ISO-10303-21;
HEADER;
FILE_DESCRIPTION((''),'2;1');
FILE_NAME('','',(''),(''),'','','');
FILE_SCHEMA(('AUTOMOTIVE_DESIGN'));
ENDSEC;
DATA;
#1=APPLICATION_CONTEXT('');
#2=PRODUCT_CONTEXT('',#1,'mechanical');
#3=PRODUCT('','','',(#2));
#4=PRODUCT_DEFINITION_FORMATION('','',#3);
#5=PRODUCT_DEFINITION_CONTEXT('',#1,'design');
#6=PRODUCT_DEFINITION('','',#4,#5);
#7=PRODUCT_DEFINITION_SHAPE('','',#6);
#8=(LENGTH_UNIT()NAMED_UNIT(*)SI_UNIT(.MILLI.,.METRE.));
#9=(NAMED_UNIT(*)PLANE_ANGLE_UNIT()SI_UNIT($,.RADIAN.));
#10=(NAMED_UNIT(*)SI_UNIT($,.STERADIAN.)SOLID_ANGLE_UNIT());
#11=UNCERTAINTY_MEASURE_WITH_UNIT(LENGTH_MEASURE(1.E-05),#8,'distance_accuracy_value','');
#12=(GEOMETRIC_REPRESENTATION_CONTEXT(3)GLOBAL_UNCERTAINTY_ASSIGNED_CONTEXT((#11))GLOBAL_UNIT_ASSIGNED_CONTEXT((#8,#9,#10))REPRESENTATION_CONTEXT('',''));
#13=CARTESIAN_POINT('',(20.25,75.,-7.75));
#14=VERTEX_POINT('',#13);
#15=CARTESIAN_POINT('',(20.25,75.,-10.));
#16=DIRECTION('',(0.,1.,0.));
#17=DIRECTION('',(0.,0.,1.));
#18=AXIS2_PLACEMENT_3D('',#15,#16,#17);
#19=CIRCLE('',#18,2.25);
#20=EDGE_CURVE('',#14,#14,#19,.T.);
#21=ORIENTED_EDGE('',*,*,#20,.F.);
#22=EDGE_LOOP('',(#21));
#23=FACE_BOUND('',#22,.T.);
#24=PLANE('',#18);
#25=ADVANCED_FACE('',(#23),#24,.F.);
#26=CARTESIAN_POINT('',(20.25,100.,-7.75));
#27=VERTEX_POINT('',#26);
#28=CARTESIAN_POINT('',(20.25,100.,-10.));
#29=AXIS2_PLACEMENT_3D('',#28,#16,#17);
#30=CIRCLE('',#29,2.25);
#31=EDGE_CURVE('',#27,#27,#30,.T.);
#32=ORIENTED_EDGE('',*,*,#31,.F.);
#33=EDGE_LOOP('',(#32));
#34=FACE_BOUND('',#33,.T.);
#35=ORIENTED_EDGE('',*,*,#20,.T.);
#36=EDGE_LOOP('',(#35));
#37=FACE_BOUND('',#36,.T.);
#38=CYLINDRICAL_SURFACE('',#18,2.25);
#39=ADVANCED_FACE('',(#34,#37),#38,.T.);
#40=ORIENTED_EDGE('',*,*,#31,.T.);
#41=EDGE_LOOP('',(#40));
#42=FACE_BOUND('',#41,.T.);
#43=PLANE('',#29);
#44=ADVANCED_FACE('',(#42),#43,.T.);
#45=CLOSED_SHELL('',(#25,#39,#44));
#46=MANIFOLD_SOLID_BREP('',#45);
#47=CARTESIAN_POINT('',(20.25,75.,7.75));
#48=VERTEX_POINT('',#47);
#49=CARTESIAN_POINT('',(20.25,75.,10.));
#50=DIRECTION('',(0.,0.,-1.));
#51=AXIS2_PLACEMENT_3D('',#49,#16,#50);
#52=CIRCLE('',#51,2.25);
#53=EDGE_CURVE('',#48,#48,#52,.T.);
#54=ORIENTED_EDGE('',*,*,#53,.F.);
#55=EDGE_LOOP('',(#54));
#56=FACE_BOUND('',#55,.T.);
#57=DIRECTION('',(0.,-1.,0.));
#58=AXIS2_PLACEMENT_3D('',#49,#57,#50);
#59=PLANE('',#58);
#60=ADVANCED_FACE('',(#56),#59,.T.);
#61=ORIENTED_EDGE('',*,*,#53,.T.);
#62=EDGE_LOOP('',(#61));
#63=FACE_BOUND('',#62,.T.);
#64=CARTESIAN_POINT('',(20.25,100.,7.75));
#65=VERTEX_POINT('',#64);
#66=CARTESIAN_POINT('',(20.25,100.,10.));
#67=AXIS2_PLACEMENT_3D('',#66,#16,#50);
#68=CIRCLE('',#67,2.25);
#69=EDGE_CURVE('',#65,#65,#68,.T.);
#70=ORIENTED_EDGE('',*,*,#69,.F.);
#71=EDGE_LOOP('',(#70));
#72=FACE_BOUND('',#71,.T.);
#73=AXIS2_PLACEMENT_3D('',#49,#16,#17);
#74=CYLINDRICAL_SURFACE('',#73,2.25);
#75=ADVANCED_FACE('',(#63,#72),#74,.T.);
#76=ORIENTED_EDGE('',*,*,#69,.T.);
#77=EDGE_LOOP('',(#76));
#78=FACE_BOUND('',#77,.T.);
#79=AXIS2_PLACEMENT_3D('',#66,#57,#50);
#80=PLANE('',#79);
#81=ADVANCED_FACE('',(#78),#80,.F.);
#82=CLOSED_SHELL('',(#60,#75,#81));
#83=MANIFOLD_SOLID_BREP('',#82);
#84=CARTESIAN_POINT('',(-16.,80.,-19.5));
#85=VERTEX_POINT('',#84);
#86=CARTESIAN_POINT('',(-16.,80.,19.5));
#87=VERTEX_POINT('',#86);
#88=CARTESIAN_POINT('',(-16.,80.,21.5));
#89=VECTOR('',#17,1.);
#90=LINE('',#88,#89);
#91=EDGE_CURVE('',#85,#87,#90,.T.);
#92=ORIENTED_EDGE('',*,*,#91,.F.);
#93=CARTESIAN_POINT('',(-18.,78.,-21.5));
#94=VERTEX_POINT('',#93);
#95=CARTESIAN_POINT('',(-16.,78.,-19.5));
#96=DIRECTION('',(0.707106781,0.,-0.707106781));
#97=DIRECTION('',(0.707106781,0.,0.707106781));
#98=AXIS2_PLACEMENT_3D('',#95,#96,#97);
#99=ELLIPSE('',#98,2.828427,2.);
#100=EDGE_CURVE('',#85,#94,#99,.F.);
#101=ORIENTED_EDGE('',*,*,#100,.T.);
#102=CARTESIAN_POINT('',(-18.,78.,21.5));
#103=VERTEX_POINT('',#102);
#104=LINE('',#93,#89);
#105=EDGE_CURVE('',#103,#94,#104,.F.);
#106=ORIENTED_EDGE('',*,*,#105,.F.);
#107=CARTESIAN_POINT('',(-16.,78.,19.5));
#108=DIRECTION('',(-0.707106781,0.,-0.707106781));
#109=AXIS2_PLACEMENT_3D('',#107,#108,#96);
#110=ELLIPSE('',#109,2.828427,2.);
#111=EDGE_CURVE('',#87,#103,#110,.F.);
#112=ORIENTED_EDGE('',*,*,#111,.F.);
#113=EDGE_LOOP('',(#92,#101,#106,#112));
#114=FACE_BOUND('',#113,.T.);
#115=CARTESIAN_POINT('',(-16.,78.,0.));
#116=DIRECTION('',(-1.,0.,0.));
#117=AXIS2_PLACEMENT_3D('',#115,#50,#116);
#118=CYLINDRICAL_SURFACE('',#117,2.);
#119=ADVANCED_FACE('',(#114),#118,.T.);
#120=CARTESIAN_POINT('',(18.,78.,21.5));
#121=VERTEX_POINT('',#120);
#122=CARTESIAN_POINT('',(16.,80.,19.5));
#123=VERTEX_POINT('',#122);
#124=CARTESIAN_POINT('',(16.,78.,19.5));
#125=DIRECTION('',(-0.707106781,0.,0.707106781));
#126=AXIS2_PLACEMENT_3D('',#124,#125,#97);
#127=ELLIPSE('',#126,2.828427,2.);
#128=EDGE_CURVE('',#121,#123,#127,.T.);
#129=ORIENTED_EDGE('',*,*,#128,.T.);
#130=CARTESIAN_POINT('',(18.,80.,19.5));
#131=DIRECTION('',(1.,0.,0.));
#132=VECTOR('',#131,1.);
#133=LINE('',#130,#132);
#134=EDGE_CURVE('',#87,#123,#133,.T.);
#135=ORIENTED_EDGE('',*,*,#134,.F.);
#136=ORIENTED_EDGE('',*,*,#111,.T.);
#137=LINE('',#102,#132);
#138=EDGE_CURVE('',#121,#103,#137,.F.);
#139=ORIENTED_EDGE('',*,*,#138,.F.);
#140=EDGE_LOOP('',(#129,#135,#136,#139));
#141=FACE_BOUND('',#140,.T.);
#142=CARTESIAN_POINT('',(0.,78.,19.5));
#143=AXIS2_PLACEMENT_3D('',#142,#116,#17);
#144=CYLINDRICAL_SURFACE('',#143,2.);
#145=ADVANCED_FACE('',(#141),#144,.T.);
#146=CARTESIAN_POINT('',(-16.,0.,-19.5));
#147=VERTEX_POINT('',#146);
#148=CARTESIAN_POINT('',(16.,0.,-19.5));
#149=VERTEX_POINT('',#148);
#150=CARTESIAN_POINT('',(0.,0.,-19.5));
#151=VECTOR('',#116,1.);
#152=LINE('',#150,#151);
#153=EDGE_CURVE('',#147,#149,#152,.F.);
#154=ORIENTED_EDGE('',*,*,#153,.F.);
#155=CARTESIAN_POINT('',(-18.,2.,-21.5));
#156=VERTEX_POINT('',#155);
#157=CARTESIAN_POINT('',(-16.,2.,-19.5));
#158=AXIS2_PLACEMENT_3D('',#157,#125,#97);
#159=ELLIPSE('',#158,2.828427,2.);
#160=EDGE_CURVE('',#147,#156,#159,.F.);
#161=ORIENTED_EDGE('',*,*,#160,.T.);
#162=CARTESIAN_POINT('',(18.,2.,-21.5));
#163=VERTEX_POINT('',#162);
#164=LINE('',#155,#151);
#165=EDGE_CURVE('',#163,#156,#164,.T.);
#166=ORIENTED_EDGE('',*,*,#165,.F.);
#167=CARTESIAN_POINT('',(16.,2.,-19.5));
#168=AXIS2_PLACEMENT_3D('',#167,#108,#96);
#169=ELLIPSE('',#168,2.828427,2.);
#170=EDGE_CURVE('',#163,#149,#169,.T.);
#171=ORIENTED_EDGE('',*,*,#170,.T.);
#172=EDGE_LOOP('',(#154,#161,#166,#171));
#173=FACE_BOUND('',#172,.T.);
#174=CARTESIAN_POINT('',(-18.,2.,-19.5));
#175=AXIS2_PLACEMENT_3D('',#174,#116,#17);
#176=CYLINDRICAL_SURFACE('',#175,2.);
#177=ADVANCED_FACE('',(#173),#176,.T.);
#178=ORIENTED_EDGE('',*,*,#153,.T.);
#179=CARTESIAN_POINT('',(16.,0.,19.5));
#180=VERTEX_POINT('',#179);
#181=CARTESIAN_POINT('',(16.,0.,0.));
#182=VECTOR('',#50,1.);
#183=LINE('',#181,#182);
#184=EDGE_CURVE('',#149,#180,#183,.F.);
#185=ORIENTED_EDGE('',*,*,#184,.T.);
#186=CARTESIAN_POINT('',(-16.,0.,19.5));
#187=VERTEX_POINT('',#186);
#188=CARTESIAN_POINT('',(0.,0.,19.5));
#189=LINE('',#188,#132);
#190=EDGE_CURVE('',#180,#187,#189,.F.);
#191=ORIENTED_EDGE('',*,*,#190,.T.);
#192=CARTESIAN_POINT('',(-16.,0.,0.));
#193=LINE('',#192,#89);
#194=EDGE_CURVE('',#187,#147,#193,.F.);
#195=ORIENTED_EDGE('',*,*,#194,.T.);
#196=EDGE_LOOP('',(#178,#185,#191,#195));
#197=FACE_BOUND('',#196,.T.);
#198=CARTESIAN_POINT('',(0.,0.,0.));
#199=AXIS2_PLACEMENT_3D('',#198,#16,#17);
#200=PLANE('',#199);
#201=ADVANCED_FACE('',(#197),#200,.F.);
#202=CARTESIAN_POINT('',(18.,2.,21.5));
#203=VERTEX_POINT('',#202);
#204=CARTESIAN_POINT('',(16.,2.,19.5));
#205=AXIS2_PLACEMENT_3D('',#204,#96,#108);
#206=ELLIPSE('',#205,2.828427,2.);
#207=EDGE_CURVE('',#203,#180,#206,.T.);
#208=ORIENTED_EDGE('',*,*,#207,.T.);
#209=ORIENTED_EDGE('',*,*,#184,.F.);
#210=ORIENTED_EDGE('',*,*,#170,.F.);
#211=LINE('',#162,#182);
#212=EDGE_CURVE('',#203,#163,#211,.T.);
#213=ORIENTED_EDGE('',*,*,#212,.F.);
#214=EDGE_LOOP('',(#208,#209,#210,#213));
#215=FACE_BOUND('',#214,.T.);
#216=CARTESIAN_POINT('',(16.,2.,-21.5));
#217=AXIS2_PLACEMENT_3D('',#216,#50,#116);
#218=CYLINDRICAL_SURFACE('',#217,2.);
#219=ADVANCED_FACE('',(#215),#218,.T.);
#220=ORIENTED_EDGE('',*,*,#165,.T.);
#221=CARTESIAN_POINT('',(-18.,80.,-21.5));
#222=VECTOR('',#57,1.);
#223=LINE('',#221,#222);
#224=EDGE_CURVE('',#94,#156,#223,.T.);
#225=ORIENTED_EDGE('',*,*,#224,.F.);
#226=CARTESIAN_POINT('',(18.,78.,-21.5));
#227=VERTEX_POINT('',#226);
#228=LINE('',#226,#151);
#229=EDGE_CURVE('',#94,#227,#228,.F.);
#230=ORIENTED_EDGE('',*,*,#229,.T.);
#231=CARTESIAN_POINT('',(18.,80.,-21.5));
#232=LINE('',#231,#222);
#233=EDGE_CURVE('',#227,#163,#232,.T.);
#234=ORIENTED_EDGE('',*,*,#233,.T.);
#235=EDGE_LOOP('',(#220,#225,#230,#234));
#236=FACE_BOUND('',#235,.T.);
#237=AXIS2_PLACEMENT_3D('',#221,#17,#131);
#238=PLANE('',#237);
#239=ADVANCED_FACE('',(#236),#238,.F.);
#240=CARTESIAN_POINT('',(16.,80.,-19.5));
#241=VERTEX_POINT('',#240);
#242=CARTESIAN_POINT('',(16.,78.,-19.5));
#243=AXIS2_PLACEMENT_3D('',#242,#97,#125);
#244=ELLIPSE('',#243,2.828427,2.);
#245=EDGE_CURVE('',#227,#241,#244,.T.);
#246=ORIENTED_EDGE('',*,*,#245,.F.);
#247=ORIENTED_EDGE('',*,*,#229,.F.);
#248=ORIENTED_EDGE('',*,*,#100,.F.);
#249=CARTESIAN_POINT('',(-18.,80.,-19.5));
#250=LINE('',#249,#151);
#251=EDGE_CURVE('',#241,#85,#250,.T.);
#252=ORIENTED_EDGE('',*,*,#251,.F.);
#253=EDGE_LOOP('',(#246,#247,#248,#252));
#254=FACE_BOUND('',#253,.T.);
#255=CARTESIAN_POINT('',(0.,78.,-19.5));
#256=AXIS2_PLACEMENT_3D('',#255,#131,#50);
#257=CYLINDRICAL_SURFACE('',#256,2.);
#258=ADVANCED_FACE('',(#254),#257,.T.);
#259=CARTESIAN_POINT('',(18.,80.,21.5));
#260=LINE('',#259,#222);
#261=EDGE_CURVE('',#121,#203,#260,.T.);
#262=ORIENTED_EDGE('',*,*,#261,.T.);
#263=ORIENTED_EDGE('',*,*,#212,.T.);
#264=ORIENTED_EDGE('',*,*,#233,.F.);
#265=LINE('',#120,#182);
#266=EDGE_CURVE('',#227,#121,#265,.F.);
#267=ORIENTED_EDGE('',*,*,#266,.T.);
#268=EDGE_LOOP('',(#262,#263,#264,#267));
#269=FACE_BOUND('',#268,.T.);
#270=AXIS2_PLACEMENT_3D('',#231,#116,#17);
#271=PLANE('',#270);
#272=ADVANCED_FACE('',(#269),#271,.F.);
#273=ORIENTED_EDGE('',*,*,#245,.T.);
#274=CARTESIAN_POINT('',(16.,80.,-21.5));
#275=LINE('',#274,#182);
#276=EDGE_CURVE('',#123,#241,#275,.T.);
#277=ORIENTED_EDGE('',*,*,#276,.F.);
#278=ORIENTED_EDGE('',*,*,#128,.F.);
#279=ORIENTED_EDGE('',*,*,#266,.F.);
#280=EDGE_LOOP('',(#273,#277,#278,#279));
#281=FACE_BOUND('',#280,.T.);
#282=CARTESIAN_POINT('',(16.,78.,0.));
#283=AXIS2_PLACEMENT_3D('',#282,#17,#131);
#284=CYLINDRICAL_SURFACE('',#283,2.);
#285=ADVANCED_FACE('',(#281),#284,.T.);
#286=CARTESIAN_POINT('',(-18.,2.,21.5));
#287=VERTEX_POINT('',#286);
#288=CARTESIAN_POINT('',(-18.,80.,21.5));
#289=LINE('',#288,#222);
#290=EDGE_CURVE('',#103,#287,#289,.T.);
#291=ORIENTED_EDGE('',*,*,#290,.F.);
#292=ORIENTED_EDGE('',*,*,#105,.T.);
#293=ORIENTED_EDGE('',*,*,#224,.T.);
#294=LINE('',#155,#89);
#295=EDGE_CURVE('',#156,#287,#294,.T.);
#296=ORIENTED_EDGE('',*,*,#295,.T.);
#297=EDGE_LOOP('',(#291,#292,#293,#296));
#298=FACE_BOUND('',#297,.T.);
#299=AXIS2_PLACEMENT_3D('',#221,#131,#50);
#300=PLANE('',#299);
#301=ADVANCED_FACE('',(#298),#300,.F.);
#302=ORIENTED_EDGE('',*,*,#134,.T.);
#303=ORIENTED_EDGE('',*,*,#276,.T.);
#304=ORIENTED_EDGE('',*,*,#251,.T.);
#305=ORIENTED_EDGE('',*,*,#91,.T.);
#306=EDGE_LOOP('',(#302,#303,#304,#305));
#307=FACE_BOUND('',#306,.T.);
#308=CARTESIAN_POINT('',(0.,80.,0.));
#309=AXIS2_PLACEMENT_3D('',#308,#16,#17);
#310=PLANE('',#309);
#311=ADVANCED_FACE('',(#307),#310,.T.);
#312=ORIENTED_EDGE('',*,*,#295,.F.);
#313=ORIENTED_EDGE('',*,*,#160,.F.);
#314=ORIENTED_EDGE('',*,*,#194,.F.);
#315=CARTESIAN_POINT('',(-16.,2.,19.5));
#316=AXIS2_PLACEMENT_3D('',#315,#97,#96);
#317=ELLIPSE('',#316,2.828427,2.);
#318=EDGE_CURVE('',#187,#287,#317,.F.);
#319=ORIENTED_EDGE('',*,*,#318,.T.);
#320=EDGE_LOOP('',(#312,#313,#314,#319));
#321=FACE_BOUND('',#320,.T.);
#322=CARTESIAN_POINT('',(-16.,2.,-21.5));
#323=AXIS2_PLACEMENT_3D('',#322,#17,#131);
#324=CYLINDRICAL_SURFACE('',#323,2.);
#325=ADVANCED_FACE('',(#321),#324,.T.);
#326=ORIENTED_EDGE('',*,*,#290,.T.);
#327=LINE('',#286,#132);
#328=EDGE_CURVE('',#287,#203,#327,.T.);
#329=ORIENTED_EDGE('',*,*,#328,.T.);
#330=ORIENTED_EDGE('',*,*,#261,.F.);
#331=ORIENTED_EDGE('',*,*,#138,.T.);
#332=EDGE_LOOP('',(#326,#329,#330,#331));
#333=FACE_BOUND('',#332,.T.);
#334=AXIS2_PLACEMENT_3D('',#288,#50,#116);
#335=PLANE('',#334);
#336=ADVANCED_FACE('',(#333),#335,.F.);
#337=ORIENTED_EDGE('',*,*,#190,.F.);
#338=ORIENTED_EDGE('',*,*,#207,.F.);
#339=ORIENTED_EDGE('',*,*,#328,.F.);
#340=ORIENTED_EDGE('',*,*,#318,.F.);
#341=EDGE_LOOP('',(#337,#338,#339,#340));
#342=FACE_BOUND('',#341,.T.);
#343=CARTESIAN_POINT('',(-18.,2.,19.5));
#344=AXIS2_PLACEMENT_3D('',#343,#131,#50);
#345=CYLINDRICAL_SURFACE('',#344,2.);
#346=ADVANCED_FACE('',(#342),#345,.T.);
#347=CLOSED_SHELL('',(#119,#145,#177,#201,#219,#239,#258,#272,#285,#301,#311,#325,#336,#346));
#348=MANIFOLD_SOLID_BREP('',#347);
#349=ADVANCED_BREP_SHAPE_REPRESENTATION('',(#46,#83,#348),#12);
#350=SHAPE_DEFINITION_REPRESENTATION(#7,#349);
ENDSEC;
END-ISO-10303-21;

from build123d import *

# Parameters (mm, degrees)
SKETCH1_W                  = 36
SKETCH1_H                  = 43
BOSS_EXTRUDE1_DEPTH        = 80
BOSS_EXTRUDE2_DEPTH        = 20
BOSS_EXTRUDE2_DEPTH_BACK   = 5
SKETCH2_R                  = 2.25
BOSS_EXTRUDE2_2_DEPTH      = 20
BOSS_EXTRUDE2_2_DEPTH_BACK = 5
FILLET1_R                  = 2


with BuildPart() as part:
    # Sketch1 → Boss-Extrude1 (new body)
    with BuildSketch(Plane(origin=(0, 0, 0), x_dir=(1, 0, 0), z_dir=(0, 1, 0))):
        Rectangle(SKETCH1_W, SKETCH1_H)
    extrude(amount=BOSS_EXTRUDE1_DEPTH)

    # Fillet1
    fillet1_edges = [part.edges().sort_by_distance(p)[0] for p in [
        (-18, 80, 0),
        (0, 80, 21.5),
        (18, 80, 0),
        (0, 0, 21.5),
        (-18, 0, 0),
        (0, 0, -21.5),
        (18, 0, 0),
        (0, 80, -21.5),
    ]]
    fillet(fillet1_edges, radius=FILLET1_R)


with BuildPart() as body_2:
    # Sketch2 → Boss-Extrude2 (new, two sides: drawn at the far end of the back side and taken through both)
    with BuildSketch(Plane(origin=(0, 80, 0), x_dir=(1, 0, 0), z_dir=(0, 1, 0)).offset(-BOSS_EXTRUDE2_DEPTH_BACK)):
        with Locations(Location((20.25, 10, 0), (0, 0, 270))):
            Circle(SKETCH2_R)
    extrude(amount=BOSS_EXTRUDE2_DEPTH + BOSS_EXTRUDE2_DEPTH_BACK)


with BuildPart() as body_3:
    # Sketch2 → Boss-Extrude2 2 (new, two sides: drawn at the far end of the back side and taken through both)
    with BuildSketch(Plane(origin=(0, 80, 0), x_dir=(1, 0, 0), z_dir=(0, 1, 0)).offset(-BOSS_EXTRUDE2_2_DEPTH_BACK)):
        with Locations(Location((20.25, -10, 0), (0, 0, 90))):
            Circle(SKETCH2_R)
    extrude(amount=BOSS_EXTRUDE2_2_DEPTH + BOSS_EXTRUDE2_2_DEPTH_BACK)


solid = Compound([part.part, body_2.part, body_3.part])
